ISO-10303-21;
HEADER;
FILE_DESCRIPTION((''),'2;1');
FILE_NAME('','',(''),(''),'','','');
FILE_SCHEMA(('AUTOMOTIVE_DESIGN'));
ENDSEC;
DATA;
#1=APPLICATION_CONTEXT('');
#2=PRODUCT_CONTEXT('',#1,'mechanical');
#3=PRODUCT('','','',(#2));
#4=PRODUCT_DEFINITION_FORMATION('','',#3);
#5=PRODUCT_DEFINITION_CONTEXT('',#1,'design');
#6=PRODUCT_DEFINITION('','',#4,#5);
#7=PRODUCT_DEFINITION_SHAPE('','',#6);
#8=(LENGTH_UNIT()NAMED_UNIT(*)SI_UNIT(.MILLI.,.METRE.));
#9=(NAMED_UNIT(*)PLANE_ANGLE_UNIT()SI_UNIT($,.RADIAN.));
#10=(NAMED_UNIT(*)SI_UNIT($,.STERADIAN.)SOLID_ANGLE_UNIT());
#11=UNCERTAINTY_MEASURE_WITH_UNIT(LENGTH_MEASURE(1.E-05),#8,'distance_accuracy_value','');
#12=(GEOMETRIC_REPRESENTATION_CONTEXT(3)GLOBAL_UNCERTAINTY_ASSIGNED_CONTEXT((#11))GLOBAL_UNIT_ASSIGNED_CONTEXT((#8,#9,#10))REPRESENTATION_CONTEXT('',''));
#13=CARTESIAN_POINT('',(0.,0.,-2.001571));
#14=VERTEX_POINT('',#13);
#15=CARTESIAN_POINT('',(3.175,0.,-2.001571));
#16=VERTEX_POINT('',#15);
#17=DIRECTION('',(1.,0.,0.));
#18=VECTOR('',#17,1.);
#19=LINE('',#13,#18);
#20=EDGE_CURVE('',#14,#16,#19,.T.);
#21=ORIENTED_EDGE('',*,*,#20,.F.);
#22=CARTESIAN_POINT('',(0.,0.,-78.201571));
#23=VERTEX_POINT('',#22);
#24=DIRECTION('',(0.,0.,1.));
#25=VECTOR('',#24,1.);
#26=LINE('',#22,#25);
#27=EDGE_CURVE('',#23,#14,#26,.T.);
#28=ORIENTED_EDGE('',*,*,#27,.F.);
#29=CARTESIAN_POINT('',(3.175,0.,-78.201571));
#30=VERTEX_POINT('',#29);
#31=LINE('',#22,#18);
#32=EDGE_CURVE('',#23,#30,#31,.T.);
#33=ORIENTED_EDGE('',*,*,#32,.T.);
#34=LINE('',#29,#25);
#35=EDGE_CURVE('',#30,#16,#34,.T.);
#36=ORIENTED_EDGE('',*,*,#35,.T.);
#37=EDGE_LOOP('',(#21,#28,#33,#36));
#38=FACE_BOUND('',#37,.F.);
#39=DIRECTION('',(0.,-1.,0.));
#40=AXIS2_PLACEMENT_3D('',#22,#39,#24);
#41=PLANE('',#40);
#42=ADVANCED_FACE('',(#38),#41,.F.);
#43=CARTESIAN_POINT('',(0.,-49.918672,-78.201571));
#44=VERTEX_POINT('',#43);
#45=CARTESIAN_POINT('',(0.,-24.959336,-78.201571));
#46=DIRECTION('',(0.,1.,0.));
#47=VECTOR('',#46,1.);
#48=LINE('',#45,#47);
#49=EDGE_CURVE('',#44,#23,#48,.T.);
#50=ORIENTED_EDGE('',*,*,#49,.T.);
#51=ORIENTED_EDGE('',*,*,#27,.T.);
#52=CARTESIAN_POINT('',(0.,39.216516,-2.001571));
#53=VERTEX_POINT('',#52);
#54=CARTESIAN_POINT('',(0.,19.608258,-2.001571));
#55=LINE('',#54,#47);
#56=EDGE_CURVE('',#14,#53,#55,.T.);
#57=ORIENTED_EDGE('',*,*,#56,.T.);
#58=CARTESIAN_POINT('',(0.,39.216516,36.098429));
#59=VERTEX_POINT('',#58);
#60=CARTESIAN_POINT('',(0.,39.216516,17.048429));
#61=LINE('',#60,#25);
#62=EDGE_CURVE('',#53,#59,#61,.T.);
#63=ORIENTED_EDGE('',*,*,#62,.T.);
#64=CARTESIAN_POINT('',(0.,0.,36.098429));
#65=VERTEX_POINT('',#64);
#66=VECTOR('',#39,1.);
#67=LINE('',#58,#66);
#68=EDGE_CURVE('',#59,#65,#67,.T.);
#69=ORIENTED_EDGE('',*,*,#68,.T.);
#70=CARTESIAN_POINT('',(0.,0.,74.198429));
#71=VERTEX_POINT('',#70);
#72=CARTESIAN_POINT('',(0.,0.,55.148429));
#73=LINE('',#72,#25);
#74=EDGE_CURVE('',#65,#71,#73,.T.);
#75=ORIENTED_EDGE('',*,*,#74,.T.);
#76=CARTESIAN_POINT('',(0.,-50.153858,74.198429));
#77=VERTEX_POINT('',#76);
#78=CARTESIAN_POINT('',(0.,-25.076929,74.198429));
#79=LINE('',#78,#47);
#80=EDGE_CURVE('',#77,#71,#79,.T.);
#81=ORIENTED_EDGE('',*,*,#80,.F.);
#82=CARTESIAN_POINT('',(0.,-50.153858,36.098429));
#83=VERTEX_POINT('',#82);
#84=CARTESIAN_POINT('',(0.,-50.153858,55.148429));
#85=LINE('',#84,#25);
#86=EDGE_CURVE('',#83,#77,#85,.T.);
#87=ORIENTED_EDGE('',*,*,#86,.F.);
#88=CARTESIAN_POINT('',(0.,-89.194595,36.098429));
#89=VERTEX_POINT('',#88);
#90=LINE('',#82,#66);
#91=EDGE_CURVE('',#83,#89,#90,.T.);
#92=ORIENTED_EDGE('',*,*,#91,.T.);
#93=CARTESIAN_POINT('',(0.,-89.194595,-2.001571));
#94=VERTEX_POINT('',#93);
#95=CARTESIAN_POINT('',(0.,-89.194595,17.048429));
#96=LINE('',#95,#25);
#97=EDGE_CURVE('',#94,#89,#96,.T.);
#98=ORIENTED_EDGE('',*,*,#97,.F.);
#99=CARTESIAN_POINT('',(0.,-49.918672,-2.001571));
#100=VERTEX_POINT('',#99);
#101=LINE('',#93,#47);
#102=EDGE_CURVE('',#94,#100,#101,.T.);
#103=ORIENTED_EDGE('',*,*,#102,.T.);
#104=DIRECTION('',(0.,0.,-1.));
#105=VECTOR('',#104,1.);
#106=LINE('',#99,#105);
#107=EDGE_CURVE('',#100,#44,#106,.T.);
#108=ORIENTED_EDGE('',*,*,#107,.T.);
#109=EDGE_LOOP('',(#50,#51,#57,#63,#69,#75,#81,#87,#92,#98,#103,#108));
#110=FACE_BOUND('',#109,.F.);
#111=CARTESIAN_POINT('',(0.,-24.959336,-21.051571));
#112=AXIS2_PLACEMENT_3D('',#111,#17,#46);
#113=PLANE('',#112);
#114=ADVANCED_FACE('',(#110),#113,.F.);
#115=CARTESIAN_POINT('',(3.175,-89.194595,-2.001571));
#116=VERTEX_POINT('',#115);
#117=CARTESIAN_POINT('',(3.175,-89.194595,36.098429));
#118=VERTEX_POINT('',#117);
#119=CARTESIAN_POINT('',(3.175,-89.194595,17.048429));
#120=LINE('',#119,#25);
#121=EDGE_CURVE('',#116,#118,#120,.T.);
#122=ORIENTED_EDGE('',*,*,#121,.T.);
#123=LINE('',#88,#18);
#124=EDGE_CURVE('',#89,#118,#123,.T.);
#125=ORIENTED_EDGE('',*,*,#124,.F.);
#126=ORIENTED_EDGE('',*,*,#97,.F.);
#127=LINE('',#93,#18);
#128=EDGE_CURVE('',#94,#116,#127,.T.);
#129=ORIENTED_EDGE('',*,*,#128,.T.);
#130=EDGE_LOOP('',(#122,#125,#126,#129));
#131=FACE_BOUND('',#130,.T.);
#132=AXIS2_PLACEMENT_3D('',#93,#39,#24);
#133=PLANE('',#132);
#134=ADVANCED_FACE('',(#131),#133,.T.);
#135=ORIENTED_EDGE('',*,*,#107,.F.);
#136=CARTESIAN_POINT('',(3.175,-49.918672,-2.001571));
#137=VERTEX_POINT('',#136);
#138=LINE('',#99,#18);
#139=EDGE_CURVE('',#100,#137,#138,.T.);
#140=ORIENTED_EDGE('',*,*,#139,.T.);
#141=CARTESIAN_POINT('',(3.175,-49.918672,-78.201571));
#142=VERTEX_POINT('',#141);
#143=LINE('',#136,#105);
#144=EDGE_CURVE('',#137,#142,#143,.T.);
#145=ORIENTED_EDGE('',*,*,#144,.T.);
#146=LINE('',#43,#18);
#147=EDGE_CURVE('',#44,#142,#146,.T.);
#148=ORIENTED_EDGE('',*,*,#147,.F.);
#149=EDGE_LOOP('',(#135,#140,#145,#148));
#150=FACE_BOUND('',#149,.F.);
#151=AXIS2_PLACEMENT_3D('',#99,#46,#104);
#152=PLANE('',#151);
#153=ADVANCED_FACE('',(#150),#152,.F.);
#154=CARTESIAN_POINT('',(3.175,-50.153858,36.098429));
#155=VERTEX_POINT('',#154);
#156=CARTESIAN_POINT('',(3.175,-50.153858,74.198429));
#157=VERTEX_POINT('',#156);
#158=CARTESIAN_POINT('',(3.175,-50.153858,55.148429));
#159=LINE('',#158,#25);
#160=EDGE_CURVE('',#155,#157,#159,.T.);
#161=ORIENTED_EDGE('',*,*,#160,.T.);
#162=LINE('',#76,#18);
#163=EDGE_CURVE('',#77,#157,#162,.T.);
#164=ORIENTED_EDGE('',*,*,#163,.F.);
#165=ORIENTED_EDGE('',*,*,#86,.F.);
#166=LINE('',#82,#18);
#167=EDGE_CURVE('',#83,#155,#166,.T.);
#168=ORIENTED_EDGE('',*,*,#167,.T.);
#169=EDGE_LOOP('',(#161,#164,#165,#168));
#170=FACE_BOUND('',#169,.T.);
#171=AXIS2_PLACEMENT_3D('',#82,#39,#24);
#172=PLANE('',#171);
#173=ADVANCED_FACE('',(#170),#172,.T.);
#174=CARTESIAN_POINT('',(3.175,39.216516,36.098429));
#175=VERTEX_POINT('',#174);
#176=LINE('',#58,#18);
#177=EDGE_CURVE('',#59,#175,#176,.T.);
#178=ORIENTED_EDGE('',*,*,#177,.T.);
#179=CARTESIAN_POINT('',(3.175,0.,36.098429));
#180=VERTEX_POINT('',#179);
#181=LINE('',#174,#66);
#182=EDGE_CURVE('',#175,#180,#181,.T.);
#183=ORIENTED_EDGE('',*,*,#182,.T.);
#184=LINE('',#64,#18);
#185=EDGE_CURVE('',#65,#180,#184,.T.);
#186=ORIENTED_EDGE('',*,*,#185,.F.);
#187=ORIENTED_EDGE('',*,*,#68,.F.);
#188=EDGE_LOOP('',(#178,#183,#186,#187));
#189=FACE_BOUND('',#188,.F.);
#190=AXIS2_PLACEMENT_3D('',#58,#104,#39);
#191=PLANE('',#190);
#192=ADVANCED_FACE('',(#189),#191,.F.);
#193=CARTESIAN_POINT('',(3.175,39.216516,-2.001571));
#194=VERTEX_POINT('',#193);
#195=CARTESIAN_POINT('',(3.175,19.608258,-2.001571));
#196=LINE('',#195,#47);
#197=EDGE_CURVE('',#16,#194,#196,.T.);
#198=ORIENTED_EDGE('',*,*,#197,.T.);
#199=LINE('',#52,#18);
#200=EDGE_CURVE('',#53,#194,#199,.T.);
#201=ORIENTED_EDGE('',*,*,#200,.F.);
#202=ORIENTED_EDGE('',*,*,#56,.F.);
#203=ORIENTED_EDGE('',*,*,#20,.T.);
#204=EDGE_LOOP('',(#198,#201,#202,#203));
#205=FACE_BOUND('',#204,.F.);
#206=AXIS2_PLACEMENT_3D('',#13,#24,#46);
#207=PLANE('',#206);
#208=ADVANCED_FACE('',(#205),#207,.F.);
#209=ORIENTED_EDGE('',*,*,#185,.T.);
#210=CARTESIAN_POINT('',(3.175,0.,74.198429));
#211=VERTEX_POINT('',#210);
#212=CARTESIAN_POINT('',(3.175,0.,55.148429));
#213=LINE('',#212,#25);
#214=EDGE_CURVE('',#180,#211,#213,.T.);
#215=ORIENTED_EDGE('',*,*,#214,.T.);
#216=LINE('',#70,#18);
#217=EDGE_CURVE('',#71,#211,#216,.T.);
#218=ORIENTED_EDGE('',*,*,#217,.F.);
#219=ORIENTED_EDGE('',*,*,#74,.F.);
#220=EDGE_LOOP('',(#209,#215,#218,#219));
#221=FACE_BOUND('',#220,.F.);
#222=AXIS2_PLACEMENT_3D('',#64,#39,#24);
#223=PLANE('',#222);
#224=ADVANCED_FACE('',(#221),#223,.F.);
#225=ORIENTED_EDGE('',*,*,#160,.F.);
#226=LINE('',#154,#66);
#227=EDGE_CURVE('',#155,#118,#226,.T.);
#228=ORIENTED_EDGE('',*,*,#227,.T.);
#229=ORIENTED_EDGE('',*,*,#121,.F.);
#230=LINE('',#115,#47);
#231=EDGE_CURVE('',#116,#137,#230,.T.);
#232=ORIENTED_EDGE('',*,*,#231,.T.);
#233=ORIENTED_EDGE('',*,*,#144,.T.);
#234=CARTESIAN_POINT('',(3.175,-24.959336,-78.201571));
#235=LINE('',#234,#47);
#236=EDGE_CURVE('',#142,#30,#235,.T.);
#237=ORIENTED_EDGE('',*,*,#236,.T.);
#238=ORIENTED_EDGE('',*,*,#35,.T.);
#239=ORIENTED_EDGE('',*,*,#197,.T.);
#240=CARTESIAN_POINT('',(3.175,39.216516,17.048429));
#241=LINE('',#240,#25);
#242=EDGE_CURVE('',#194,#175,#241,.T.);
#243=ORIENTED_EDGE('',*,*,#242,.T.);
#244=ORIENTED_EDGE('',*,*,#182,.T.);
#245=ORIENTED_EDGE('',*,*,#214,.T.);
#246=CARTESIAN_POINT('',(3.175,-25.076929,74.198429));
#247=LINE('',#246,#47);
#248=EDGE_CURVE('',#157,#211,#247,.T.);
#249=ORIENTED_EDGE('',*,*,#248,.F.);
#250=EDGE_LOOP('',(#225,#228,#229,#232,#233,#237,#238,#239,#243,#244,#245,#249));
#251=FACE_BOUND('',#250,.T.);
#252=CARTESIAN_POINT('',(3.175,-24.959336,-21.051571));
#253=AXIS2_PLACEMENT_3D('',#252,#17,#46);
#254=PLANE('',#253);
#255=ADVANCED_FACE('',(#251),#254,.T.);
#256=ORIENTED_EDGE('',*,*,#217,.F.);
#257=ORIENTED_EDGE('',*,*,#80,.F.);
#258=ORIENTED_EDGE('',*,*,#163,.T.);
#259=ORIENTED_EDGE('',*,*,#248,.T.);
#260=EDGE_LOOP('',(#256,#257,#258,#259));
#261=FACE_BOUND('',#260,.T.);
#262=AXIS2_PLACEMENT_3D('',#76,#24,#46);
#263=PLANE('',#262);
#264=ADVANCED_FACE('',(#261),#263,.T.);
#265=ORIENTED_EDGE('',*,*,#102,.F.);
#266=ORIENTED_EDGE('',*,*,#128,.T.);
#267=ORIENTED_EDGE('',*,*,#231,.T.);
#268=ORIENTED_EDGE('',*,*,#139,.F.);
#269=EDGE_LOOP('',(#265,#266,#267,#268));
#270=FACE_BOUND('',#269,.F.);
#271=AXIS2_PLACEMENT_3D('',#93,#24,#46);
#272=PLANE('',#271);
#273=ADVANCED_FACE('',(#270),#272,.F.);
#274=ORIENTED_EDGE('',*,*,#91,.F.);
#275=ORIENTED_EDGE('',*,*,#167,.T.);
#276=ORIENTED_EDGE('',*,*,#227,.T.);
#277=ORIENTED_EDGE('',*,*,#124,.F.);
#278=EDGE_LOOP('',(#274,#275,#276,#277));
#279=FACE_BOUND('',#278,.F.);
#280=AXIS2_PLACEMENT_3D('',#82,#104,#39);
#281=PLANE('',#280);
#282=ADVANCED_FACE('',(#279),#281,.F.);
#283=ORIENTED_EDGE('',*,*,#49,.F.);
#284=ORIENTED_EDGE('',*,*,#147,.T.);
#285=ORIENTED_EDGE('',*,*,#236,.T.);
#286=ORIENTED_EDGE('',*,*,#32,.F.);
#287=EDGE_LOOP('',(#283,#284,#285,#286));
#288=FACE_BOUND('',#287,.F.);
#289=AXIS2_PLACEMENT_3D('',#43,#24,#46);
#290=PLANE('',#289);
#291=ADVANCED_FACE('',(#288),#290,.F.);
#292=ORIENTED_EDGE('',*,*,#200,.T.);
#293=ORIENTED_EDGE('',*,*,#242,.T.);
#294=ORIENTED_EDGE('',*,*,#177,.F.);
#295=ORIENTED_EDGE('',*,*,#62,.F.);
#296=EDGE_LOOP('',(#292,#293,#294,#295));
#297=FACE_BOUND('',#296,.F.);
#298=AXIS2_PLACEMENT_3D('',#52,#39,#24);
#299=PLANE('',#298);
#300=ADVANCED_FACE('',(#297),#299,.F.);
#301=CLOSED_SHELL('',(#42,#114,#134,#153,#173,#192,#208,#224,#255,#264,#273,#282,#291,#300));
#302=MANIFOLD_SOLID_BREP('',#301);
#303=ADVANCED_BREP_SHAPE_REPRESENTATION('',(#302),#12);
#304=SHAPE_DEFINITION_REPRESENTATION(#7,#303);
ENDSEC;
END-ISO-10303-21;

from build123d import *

# Parameters (mm, degrees)
F0_W     = 49.918672
F0_H     = 38.1
F0_W_2   = 39.216516
F0_W_3   = 50.153859
F0_W_4   = 39.040736
F1_DEPTH = 3.175


with BuildPart() as f1:
    # F0 (on Right) → F1 (new body)
    with BuildSketch(Plane.YZ):
        with Locations((-24.959336, -21.051571)):
            Rectangle(F0_W, F0_H)
        Polygon((-49.918672, -2.001571), (0, -2.001571), (0, 36.098429), (-50.153859, 36.098429), (-50.153859, -2.001571), align=None)
        with Locations((19.608258, 17.048429)):
            Rectangle(F0_W_2, F0_H)
        with Locations((-24.959336, -59.151571)):
            Rectangle(F0_W, F0_H)
        with Locations((-25.076929, 55.148429)):
            Rectangle(F0_W_3, F0_H)
        with Locations((-69.674227, 17.048429)):
            Rectangle(F0_W_4, F0_H)
    extrude(amount=F1_DEPTH)


solid = f1.part
